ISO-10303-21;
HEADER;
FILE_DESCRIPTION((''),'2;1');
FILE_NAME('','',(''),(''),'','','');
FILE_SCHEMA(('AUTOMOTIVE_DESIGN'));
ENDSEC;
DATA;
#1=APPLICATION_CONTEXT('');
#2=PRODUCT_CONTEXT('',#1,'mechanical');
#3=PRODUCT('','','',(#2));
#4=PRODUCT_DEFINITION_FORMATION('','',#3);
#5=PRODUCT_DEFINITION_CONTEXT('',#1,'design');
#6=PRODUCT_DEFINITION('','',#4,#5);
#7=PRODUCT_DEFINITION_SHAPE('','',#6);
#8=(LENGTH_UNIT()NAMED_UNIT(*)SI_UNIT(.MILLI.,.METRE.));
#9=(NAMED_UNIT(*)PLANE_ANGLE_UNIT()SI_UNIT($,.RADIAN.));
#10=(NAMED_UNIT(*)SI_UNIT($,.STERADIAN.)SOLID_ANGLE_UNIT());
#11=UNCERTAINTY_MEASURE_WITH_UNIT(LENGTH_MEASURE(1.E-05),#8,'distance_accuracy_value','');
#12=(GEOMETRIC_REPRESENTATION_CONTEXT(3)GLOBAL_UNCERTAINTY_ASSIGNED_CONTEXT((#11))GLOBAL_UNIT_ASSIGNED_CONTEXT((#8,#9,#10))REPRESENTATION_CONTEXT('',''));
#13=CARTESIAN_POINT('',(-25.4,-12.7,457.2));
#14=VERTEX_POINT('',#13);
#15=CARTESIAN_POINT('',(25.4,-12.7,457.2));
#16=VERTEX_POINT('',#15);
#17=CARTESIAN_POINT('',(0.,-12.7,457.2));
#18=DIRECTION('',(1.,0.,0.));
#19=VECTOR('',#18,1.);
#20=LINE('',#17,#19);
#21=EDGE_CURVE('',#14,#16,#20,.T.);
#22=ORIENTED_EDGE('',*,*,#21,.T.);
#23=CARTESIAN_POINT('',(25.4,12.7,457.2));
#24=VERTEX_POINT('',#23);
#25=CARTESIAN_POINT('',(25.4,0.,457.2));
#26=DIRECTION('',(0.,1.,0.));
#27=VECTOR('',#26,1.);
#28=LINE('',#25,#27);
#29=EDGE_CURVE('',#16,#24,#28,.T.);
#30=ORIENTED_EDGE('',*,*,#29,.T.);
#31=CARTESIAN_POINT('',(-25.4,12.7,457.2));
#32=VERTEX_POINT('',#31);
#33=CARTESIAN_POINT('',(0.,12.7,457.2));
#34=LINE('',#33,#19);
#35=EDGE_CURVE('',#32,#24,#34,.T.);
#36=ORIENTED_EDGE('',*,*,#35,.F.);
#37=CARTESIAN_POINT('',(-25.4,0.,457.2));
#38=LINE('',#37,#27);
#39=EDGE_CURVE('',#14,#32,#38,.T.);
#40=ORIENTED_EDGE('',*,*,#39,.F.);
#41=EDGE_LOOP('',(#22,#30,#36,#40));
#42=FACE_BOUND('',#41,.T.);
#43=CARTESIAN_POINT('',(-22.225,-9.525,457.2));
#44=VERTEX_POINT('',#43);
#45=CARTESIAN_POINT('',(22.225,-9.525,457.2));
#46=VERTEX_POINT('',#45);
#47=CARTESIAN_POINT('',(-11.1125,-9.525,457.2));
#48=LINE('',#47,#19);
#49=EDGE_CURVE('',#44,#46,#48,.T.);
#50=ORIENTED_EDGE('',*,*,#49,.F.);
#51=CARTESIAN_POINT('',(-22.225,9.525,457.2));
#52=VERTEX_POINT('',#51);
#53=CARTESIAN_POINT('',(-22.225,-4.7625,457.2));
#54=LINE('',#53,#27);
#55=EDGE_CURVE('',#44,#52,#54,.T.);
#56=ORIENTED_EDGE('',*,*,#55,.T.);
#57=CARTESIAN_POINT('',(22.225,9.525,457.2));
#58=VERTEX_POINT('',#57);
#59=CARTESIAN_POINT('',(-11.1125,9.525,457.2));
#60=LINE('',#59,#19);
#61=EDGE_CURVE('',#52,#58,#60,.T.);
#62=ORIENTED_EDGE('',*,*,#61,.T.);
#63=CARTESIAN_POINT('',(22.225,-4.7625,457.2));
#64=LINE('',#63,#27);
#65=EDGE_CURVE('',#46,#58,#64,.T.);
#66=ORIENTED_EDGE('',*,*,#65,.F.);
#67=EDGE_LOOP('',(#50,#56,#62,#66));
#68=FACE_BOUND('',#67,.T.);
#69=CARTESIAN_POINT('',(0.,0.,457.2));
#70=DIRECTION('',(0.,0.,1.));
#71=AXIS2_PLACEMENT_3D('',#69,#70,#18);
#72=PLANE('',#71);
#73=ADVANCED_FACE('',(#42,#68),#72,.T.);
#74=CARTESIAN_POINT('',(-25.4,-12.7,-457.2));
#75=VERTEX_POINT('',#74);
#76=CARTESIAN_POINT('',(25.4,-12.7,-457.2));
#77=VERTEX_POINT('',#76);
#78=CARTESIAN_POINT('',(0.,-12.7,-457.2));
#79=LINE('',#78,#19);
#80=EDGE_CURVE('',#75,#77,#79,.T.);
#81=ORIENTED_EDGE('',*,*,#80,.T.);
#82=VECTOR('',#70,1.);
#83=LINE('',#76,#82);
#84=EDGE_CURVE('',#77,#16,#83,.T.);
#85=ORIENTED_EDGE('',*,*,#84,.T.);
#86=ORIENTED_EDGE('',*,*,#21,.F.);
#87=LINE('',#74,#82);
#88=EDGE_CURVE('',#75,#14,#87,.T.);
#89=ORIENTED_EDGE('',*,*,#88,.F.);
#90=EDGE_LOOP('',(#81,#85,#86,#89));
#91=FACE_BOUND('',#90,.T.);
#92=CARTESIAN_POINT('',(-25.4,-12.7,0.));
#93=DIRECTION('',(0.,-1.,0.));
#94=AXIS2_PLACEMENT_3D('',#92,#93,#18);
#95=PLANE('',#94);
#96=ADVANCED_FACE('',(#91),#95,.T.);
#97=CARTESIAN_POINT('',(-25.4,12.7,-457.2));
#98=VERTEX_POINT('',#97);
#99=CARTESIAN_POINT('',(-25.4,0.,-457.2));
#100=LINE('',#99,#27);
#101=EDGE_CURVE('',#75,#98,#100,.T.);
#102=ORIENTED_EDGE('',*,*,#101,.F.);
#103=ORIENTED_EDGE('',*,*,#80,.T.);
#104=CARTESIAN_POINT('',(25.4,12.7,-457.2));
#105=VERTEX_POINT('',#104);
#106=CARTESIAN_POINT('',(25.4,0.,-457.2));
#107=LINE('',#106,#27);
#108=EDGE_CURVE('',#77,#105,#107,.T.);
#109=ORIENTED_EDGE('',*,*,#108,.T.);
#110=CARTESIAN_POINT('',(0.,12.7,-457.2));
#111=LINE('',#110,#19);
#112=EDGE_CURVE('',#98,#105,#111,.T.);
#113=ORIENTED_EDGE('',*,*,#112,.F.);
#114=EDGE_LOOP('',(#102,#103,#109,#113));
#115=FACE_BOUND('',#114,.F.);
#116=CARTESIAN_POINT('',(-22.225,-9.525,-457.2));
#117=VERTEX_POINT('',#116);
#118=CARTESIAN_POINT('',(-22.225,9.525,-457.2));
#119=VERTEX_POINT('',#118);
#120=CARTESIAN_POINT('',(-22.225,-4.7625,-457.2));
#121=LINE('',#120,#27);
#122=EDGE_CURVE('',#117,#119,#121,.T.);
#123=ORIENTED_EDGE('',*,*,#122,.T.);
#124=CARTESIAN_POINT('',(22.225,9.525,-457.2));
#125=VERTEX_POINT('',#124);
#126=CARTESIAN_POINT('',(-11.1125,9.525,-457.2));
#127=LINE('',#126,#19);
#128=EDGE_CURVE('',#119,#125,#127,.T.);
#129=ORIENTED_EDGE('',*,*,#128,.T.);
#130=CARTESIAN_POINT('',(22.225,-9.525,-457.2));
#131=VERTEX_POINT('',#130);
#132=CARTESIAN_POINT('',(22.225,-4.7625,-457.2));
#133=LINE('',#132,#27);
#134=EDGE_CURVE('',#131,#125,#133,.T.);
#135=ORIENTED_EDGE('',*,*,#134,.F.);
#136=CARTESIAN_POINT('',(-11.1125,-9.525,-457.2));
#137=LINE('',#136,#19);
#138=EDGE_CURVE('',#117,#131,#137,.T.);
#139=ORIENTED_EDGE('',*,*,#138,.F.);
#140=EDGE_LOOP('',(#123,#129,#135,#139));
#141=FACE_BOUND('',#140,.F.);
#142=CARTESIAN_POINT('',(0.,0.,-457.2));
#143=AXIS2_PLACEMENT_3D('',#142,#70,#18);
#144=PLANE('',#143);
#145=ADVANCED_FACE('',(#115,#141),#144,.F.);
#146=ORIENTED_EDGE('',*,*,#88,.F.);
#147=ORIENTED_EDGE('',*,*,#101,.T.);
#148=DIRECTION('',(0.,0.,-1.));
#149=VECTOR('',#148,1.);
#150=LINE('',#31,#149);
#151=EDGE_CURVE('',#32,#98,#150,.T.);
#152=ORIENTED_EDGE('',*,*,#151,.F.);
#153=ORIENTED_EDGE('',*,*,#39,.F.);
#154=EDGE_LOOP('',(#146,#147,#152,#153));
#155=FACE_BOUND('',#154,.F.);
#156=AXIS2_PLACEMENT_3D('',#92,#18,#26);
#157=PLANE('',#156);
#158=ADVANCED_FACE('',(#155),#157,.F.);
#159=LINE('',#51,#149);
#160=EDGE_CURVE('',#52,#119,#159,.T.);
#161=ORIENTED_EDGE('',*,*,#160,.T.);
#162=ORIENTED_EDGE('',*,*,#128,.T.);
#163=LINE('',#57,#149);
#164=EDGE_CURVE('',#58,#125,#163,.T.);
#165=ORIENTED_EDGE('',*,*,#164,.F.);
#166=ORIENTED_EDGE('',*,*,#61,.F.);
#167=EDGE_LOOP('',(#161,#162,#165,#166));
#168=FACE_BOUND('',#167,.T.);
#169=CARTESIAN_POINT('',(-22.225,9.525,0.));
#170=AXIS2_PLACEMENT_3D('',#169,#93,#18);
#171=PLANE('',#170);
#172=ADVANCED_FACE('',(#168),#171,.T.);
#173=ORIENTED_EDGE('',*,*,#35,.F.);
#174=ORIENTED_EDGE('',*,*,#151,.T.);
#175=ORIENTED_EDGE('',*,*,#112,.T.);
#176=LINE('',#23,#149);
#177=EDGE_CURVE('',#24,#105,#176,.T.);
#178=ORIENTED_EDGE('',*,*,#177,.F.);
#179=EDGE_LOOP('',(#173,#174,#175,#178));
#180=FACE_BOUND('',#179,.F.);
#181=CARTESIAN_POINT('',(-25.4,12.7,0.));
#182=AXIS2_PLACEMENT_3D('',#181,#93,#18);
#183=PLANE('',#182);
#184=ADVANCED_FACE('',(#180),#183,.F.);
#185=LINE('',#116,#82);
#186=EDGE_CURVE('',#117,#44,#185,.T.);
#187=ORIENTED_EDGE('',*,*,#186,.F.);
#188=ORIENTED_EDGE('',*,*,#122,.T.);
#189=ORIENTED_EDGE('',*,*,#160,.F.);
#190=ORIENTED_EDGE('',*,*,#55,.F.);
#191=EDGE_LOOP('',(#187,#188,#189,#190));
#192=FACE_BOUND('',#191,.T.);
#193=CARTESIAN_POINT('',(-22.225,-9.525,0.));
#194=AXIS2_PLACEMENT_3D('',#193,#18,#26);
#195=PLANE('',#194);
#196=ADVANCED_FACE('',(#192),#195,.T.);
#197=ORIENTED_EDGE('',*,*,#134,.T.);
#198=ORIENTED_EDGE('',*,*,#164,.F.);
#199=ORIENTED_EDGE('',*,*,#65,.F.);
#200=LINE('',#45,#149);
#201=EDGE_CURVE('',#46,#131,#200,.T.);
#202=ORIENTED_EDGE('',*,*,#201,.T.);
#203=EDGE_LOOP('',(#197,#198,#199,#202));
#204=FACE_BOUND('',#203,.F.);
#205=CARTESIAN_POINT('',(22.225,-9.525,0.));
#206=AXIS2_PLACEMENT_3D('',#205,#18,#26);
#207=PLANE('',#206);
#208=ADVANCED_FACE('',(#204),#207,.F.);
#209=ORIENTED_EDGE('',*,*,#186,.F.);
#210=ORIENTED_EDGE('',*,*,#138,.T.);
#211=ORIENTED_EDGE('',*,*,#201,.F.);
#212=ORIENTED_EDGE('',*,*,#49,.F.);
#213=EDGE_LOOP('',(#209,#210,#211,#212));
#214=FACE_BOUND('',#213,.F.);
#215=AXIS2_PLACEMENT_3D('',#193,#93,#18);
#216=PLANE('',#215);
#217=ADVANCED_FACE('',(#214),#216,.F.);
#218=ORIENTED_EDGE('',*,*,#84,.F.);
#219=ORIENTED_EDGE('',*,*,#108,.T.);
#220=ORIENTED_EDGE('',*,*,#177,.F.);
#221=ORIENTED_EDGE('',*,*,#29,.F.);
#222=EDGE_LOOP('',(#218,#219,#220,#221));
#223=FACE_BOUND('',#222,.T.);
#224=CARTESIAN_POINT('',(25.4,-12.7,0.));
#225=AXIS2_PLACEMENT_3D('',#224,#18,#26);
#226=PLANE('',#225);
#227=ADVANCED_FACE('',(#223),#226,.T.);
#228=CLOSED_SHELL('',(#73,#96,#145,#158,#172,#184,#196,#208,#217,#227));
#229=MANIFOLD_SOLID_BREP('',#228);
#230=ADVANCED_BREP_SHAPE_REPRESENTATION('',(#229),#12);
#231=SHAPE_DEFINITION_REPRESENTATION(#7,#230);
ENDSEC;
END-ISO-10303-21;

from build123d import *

# Parameters (mm, degrees)
F0_W     = 50.8
F0_H     = 25.4
F1_DEPTH = 457.2
F2_W     = 44.45
F2_H     = 19.05
F3_DEPTH = 457.2
F4_DEPTH = 914.4


with BuildPart() as f1:
    # F0 (on Top) → F1 (new body, symmetric)
    with BuildSketch(Plane.XY):
        Rectangle(F0_W, F0_H)
    extrude(amount=F1_DEPTH, both=True)

    # F2 (on face) → F3 (cut, symmetric)
    with BuildSketch(Plane.XY.offset(457.2)):
        Rectangle(F2_W, F2_H)
    extrude(amount=F3_DEPTH, both=True, mode=Mode.SUBTRACT)

    # F4 (cut): a face of the model
    f4_faces = [f1.faces().sort_by_distance(p)[0] for p in [
        (0, 0, 0),
    ]]
    extrude(f4_faces, amount=-F4_DEPTH, mode=Mode.SUBTRACT)


solid = f1.part
